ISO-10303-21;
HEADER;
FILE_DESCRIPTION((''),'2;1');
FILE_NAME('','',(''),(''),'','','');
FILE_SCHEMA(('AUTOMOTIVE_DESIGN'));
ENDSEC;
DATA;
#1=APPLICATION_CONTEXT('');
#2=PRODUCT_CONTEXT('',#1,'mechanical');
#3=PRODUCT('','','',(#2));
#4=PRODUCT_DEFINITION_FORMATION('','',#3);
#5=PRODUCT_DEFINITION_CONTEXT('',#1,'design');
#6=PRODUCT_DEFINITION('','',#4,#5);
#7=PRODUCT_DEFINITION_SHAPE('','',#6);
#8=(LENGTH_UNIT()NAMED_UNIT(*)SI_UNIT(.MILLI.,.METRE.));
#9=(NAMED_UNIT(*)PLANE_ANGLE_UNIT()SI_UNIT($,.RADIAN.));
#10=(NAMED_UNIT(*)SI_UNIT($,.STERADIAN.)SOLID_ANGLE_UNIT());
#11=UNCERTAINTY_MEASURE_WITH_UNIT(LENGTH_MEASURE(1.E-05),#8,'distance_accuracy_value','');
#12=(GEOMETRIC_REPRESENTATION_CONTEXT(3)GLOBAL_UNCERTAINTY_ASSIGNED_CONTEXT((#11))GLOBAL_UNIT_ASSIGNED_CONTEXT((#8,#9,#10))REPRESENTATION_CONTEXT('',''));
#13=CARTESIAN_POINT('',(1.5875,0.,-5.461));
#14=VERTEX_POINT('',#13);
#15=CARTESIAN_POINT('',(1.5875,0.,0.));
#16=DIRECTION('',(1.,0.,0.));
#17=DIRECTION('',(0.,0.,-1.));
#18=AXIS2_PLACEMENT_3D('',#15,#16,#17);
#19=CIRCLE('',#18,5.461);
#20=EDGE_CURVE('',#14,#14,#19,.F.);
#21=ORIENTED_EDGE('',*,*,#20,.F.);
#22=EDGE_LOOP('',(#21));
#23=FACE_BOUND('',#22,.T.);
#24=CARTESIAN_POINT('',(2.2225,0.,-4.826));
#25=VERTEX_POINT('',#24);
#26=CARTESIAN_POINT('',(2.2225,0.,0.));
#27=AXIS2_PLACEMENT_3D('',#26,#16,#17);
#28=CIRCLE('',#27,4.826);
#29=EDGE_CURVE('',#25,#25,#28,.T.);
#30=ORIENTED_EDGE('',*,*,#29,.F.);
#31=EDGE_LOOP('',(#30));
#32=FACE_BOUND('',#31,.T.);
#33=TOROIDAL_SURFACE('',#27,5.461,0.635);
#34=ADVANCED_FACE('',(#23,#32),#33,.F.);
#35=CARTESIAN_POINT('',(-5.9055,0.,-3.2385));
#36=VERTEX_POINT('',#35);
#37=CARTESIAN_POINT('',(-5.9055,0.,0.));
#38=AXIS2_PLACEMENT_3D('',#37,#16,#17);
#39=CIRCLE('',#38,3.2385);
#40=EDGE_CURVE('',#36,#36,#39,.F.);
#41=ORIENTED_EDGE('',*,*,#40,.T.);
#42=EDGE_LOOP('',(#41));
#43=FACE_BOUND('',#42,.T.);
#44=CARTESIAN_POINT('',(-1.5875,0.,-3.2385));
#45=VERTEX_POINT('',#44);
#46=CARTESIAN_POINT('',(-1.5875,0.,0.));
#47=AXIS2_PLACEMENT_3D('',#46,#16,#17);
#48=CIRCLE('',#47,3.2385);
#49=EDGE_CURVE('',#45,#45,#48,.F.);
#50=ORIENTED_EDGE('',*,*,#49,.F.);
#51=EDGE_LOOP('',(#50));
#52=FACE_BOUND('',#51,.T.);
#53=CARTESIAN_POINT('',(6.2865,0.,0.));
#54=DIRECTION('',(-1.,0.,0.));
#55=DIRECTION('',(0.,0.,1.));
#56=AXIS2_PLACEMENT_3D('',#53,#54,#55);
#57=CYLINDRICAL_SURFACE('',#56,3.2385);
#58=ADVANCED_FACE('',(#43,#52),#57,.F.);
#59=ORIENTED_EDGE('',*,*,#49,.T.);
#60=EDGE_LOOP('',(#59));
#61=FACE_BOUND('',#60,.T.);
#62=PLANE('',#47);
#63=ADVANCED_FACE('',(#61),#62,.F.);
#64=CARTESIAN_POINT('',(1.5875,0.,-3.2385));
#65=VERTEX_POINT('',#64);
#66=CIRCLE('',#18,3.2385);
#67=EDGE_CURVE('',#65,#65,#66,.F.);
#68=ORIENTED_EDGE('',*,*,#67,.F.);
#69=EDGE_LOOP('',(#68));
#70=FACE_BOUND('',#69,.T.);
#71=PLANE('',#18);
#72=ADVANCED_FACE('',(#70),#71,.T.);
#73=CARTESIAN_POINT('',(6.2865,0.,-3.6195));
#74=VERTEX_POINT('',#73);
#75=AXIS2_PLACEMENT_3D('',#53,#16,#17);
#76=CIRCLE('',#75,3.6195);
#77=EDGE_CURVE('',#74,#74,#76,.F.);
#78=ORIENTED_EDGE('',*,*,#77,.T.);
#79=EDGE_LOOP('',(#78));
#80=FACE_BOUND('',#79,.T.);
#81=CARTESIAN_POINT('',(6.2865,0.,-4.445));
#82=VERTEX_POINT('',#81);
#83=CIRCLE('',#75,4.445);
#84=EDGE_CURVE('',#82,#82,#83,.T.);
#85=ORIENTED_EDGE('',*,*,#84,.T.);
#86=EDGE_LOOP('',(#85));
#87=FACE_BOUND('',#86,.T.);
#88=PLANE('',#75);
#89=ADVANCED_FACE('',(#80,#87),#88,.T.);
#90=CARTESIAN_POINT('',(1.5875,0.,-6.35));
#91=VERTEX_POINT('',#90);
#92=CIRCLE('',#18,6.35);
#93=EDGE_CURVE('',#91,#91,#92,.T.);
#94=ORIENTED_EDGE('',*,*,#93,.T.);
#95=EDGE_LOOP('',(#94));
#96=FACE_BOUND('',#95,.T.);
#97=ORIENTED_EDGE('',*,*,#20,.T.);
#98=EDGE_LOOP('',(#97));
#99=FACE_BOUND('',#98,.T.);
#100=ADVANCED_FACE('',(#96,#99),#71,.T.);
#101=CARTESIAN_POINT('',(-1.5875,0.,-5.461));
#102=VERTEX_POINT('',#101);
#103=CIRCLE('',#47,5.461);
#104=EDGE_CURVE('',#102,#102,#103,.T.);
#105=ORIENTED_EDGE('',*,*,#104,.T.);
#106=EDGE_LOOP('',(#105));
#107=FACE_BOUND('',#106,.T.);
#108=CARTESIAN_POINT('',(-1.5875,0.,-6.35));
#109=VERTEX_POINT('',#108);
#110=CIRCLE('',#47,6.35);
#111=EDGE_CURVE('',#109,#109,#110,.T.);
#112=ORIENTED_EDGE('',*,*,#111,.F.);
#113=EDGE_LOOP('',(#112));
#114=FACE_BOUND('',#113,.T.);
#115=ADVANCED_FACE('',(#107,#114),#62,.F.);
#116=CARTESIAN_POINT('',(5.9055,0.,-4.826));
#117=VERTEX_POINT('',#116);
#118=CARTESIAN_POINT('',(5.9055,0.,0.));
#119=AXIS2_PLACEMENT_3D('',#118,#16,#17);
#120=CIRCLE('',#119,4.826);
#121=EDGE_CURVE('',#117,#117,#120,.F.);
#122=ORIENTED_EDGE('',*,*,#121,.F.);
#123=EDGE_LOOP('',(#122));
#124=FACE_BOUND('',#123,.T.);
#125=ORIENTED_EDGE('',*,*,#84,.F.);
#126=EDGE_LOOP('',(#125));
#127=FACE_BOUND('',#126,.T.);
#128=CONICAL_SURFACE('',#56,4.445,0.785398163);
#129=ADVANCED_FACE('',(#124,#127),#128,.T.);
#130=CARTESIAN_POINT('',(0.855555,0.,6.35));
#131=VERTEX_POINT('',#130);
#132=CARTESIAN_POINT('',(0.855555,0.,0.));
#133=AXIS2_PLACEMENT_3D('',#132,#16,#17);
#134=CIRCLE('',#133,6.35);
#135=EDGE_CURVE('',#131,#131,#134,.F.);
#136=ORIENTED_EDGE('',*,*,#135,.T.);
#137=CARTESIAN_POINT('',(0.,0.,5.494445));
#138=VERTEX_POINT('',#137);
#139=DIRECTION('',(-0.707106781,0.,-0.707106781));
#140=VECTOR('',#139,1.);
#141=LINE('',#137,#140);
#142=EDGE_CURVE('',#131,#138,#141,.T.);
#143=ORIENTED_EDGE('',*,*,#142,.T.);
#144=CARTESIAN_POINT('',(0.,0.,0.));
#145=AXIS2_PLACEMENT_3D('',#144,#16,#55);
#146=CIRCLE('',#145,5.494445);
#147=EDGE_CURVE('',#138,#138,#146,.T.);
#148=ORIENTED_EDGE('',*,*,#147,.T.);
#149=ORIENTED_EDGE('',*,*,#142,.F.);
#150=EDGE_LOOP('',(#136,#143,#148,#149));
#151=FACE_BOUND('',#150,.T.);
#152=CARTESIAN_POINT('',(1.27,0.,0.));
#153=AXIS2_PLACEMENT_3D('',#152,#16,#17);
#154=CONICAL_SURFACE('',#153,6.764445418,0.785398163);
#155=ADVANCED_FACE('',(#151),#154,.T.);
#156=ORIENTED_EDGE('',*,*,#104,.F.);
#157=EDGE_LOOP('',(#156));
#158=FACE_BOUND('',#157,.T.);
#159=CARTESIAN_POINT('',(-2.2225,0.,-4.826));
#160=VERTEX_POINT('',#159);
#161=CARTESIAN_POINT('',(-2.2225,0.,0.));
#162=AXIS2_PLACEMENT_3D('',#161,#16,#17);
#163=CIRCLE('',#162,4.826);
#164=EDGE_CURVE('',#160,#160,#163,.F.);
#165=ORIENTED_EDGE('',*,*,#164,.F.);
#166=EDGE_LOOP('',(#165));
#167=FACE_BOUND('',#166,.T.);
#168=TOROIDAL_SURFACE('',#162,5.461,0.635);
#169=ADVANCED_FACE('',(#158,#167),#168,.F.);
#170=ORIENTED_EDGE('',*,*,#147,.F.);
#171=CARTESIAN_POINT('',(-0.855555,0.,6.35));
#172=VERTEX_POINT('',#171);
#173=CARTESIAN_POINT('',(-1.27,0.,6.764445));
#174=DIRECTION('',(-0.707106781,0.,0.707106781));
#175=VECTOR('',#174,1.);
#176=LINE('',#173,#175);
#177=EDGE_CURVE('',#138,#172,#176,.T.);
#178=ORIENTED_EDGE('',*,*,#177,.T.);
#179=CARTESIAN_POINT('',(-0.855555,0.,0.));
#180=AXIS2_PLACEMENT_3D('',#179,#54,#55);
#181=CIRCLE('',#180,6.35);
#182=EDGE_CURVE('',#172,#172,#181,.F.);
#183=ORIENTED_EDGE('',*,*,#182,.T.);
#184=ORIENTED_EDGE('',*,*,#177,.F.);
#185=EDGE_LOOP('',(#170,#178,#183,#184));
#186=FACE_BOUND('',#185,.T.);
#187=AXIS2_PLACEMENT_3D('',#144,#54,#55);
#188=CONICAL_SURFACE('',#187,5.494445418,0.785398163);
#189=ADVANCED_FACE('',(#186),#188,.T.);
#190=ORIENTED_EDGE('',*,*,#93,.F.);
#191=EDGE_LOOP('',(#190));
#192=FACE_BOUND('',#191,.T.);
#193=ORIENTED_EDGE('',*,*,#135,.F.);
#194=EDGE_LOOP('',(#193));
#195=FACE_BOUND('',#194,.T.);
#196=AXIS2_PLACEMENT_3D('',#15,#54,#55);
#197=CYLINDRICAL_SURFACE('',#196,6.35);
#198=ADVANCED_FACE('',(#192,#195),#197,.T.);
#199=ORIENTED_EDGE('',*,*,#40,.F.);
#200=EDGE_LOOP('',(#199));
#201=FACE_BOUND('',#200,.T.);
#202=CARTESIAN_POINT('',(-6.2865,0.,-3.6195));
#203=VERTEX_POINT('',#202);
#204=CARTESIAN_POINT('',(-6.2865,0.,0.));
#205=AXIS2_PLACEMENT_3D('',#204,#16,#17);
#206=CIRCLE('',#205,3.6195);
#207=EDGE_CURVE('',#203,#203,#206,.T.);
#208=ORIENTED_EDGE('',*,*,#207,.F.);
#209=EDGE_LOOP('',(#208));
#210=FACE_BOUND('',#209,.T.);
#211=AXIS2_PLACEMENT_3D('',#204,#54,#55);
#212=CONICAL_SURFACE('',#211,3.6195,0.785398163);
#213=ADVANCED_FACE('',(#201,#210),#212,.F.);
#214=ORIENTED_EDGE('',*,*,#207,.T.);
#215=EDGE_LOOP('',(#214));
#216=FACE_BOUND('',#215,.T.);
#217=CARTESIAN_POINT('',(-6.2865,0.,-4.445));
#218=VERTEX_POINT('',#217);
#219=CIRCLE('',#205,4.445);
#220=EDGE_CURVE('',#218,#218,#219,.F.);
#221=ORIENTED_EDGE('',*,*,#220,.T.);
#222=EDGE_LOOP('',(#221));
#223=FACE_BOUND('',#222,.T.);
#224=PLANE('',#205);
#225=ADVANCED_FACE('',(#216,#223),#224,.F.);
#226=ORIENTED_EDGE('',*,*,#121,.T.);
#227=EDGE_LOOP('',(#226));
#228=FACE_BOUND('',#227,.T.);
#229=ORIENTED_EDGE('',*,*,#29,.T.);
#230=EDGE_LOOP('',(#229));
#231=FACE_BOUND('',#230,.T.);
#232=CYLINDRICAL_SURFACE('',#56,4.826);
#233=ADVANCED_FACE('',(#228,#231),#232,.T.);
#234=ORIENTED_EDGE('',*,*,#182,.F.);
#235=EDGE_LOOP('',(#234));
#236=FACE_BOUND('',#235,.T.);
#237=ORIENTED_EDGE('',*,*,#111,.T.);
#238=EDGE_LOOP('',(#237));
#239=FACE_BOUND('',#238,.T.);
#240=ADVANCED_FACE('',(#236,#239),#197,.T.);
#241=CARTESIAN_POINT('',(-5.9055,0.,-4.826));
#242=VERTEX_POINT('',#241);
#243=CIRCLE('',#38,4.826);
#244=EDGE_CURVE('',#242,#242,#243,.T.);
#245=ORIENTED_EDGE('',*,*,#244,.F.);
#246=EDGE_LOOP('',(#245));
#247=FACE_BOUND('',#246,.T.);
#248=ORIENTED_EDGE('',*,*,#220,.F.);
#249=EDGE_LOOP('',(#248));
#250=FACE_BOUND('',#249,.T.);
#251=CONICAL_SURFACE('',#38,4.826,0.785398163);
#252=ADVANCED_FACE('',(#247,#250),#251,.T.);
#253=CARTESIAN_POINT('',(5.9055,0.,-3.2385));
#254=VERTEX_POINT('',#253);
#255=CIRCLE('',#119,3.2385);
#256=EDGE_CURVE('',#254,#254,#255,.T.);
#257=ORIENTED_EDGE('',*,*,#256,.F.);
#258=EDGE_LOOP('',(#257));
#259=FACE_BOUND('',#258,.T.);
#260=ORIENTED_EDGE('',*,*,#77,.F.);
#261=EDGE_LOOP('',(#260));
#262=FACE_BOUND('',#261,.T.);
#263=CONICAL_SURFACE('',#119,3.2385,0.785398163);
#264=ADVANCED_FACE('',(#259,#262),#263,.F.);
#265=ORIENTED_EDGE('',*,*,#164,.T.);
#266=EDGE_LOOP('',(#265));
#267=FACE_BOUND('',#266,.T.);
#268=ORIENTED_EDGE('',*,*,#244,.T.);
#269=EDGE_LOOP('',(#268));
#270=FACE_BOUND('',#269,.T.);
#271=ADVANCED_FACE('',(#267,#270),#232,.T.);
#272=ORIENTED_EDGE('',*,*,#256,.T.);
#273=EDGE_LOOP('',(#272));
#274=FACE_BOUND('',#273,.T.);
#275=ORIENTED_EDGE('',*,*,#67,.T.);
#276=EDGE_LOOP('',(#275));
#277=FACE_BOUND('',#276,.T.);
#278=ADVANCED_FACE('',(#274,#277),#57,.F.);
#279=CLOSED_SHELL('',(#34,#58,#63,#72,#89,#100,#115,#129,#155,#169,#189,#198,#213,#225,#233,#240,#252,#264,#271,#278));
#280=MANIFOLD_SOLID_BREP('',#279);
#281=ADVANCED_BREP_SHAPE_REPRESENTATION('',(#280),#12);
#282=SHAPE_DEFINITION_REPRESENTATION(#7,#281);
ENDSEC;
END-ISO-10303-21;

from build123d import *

# Parameters (mm, degrees)
SKETCH1_R           = 6.35
BOSS_EXTRUDE1_DEPTH = 1.5875
SKETCH2_R           = 4.826
SKETCH2_R_2         = 3.2385
BOSS_EXTRUDE2_DEPTH = 6.2865
CHAMFER1_SIZE       = 0.381
FILLET2_R           = 0.635


with BuildPart() as part:
    # Sketch1 → Boss-Extrude1 (new body, symmetric)
    with BuildSketch(Plane(origin=(0, 0, 0), x_dir=(0, 0, -1), z_dir=(1, 0, 0))):
        Circle(SKETCH1_R)
    extrude(amount=BOSS_EXTRUDE1_DEPTH, both=True)

    # Sketch2 → Boss-Extrude2 (add, symmetric)
    with BuildSketch(Plane(origin=(0, 0, 0), x_dir=(0, 0, -1), z_dir=(1, 0, 0))):
        Circle(SKETCH2_R)
        Circle(SKETCH2_R_2, mode=Mode.SUBTRACT)
    extrude(amount=BOSS_EXTRUDE2_DEPTH, both=True)

    # Chamfer1
    chamfer1_edges = [part.edges().sort_by_distance(p)[0] for p in [
        (-6.2865, 0, 4.826),
        (6.2865, 0, 4.826),
        (-6.2865, 0, 3.2385),
        (6.2865, 0, 3.2385),
    ]]
    chamfer(chamfer1_edges, length=CHAMFER1_SIZE)

    # Fillet2
    fillet2_edges = [part.edges().sort_by_distance(p)[0] for p in [
        (-1.5875, 0, 4.826),
        (1.5875, 0, 4.826),
    ]]
    fillet(fillet2_edges, radius=FILLET2_R)

    # Cut-Sweep1: sweep along a path in Sketch3
    with BuildLine(Plane(origin=(0, 0, 0), x_dir=(0, 0, -1), z_dir=(1, 0, 0))) as cut_sweep1_path:
        CenterArc((0, 0), 6.35, 0, 360)
    # Sketch7 → Cut-Sweep1 (sweep, cut)
    with BuildSketch(Plane(origin=(0, 0, 0), x_dir=(1, 0, 0), z_dir=(0, 1, 0))):
        Polygon((1.27, -6.764445418), (-1.27, -6.764445418), (0, -5.494445418), align=None)
    sweep(path=cut_sweep1_path.line, mode=Mode.SUBTRACT)


solid = part.part
